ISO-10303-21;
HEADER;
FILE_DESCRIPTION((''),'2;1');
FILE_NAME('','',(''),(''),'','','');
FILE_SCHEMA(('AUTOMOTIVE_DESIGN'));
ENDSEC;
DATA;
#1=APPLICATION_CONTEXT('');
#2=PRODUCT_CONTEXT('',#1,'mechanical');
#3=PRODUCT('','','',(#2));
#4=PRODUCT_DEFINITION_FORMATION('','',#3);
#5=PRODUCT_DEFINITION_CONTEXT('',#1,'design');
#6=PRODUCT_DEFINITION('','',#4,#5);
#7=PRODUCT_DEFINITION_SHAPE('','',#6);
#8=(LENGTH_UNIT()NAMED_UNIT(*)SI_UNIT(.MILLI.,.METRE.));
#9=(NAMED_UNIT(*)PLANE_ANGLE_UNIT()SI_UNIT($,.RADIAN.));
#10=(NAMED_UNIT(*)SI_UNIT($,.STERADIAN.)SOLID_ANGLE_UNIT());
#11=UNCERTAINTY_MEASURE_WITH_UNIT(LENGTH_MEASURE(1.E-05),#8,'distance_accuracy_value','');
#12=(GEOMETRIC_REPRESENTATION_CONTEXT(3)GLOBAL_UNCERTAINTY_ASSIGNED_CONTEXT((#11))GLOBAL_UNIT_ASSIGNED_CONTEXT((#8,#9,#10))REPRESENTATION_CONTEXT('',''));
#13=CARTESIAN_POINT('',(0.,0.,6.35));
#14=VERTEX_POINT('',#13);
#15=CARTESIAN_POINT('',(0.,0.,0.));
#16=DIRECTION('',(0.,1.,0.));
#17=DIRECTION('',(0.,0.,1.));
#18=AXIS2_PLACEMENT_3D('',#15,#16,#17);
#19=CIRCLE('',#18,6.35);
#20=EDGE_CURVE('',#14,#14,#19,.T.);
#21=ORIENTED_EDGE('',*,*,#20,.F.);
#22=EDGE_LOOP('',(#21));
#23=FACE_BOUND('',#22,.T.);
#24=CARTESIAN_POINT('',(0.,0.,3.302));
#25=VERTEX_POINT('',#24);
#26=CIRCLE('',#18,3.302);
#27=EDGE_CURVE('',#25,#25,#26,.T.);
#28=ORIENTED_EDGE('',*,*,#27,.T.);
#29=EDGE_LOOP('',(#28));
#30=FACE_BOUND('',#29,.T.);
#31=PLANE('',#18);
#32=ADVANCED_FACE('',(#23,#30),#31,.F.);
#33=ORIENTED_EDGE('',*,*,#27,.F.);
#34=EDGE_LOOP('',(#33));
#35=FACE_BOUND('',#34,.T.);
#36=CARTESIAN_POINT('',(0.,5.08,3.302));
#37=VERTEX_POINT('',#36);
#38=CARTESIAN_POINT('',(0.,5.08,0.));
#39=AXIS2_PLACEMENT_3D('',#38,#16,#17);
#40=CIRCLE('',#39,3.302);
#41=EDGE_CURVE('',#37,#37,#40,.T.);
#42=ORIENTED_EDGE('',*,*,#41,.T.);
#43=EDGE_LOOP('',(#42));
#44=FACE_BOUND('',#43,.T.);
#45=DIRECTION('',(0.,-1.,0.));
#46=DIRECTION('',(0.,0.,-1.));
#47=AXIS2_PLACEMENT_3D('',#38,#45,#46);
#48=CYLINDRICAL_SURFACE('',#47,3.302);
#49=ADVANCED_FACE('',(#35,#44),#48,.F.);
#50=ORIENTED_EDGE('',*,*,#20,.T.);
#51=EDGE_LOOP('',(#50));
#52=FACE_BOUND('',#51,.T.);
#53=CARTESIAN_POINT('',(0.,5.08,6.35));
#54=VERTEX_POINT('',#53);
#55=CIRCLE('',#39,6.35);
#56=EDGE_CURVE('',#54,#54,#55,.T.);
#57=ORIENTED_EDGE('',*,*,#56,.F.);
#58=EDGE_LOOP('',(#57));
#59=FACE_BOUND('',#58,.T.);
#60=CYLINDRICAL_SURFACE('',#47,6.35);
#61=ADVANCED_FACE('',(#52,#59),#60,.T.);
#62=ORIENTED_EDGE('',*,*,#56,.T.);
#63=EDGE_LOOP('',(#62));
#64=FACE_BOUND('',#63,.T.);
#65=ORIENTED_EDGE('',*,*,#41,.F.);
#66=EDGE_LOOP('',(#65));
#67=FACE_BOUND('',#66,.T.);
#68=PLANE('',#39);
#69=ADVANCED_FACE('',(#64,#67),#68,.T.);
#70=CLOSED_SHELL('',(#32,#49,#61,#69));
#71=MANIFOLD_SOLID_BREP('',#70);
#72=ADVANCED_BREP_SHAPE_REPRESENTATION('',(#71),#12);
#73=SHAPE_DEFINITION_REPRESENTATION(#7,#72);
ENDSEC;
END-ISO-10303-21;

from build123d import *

# Parameters (mm, degrees)
SKETCH1_R           = 6.35
SKETCH1_R_2         = 3.302
BOSS_EXTRUDE1_DEPTH = 5.08


with BuildPart() as part:
    # Sketch1 → Boss-Extrude1 (new body)
    with BuildSketch(Plane(origin=(0, 0, 0), x_dir=(1, 0, 0), z_dir=(0, 1, 0))):
        Circle(SKETCH1_R)
        Circle(SKETCH1_R_2, mode=Mode.SUBTRACT)
    extrude(amount=BOSS_EXTRUDE1_DEPTH)


solid = part.part
